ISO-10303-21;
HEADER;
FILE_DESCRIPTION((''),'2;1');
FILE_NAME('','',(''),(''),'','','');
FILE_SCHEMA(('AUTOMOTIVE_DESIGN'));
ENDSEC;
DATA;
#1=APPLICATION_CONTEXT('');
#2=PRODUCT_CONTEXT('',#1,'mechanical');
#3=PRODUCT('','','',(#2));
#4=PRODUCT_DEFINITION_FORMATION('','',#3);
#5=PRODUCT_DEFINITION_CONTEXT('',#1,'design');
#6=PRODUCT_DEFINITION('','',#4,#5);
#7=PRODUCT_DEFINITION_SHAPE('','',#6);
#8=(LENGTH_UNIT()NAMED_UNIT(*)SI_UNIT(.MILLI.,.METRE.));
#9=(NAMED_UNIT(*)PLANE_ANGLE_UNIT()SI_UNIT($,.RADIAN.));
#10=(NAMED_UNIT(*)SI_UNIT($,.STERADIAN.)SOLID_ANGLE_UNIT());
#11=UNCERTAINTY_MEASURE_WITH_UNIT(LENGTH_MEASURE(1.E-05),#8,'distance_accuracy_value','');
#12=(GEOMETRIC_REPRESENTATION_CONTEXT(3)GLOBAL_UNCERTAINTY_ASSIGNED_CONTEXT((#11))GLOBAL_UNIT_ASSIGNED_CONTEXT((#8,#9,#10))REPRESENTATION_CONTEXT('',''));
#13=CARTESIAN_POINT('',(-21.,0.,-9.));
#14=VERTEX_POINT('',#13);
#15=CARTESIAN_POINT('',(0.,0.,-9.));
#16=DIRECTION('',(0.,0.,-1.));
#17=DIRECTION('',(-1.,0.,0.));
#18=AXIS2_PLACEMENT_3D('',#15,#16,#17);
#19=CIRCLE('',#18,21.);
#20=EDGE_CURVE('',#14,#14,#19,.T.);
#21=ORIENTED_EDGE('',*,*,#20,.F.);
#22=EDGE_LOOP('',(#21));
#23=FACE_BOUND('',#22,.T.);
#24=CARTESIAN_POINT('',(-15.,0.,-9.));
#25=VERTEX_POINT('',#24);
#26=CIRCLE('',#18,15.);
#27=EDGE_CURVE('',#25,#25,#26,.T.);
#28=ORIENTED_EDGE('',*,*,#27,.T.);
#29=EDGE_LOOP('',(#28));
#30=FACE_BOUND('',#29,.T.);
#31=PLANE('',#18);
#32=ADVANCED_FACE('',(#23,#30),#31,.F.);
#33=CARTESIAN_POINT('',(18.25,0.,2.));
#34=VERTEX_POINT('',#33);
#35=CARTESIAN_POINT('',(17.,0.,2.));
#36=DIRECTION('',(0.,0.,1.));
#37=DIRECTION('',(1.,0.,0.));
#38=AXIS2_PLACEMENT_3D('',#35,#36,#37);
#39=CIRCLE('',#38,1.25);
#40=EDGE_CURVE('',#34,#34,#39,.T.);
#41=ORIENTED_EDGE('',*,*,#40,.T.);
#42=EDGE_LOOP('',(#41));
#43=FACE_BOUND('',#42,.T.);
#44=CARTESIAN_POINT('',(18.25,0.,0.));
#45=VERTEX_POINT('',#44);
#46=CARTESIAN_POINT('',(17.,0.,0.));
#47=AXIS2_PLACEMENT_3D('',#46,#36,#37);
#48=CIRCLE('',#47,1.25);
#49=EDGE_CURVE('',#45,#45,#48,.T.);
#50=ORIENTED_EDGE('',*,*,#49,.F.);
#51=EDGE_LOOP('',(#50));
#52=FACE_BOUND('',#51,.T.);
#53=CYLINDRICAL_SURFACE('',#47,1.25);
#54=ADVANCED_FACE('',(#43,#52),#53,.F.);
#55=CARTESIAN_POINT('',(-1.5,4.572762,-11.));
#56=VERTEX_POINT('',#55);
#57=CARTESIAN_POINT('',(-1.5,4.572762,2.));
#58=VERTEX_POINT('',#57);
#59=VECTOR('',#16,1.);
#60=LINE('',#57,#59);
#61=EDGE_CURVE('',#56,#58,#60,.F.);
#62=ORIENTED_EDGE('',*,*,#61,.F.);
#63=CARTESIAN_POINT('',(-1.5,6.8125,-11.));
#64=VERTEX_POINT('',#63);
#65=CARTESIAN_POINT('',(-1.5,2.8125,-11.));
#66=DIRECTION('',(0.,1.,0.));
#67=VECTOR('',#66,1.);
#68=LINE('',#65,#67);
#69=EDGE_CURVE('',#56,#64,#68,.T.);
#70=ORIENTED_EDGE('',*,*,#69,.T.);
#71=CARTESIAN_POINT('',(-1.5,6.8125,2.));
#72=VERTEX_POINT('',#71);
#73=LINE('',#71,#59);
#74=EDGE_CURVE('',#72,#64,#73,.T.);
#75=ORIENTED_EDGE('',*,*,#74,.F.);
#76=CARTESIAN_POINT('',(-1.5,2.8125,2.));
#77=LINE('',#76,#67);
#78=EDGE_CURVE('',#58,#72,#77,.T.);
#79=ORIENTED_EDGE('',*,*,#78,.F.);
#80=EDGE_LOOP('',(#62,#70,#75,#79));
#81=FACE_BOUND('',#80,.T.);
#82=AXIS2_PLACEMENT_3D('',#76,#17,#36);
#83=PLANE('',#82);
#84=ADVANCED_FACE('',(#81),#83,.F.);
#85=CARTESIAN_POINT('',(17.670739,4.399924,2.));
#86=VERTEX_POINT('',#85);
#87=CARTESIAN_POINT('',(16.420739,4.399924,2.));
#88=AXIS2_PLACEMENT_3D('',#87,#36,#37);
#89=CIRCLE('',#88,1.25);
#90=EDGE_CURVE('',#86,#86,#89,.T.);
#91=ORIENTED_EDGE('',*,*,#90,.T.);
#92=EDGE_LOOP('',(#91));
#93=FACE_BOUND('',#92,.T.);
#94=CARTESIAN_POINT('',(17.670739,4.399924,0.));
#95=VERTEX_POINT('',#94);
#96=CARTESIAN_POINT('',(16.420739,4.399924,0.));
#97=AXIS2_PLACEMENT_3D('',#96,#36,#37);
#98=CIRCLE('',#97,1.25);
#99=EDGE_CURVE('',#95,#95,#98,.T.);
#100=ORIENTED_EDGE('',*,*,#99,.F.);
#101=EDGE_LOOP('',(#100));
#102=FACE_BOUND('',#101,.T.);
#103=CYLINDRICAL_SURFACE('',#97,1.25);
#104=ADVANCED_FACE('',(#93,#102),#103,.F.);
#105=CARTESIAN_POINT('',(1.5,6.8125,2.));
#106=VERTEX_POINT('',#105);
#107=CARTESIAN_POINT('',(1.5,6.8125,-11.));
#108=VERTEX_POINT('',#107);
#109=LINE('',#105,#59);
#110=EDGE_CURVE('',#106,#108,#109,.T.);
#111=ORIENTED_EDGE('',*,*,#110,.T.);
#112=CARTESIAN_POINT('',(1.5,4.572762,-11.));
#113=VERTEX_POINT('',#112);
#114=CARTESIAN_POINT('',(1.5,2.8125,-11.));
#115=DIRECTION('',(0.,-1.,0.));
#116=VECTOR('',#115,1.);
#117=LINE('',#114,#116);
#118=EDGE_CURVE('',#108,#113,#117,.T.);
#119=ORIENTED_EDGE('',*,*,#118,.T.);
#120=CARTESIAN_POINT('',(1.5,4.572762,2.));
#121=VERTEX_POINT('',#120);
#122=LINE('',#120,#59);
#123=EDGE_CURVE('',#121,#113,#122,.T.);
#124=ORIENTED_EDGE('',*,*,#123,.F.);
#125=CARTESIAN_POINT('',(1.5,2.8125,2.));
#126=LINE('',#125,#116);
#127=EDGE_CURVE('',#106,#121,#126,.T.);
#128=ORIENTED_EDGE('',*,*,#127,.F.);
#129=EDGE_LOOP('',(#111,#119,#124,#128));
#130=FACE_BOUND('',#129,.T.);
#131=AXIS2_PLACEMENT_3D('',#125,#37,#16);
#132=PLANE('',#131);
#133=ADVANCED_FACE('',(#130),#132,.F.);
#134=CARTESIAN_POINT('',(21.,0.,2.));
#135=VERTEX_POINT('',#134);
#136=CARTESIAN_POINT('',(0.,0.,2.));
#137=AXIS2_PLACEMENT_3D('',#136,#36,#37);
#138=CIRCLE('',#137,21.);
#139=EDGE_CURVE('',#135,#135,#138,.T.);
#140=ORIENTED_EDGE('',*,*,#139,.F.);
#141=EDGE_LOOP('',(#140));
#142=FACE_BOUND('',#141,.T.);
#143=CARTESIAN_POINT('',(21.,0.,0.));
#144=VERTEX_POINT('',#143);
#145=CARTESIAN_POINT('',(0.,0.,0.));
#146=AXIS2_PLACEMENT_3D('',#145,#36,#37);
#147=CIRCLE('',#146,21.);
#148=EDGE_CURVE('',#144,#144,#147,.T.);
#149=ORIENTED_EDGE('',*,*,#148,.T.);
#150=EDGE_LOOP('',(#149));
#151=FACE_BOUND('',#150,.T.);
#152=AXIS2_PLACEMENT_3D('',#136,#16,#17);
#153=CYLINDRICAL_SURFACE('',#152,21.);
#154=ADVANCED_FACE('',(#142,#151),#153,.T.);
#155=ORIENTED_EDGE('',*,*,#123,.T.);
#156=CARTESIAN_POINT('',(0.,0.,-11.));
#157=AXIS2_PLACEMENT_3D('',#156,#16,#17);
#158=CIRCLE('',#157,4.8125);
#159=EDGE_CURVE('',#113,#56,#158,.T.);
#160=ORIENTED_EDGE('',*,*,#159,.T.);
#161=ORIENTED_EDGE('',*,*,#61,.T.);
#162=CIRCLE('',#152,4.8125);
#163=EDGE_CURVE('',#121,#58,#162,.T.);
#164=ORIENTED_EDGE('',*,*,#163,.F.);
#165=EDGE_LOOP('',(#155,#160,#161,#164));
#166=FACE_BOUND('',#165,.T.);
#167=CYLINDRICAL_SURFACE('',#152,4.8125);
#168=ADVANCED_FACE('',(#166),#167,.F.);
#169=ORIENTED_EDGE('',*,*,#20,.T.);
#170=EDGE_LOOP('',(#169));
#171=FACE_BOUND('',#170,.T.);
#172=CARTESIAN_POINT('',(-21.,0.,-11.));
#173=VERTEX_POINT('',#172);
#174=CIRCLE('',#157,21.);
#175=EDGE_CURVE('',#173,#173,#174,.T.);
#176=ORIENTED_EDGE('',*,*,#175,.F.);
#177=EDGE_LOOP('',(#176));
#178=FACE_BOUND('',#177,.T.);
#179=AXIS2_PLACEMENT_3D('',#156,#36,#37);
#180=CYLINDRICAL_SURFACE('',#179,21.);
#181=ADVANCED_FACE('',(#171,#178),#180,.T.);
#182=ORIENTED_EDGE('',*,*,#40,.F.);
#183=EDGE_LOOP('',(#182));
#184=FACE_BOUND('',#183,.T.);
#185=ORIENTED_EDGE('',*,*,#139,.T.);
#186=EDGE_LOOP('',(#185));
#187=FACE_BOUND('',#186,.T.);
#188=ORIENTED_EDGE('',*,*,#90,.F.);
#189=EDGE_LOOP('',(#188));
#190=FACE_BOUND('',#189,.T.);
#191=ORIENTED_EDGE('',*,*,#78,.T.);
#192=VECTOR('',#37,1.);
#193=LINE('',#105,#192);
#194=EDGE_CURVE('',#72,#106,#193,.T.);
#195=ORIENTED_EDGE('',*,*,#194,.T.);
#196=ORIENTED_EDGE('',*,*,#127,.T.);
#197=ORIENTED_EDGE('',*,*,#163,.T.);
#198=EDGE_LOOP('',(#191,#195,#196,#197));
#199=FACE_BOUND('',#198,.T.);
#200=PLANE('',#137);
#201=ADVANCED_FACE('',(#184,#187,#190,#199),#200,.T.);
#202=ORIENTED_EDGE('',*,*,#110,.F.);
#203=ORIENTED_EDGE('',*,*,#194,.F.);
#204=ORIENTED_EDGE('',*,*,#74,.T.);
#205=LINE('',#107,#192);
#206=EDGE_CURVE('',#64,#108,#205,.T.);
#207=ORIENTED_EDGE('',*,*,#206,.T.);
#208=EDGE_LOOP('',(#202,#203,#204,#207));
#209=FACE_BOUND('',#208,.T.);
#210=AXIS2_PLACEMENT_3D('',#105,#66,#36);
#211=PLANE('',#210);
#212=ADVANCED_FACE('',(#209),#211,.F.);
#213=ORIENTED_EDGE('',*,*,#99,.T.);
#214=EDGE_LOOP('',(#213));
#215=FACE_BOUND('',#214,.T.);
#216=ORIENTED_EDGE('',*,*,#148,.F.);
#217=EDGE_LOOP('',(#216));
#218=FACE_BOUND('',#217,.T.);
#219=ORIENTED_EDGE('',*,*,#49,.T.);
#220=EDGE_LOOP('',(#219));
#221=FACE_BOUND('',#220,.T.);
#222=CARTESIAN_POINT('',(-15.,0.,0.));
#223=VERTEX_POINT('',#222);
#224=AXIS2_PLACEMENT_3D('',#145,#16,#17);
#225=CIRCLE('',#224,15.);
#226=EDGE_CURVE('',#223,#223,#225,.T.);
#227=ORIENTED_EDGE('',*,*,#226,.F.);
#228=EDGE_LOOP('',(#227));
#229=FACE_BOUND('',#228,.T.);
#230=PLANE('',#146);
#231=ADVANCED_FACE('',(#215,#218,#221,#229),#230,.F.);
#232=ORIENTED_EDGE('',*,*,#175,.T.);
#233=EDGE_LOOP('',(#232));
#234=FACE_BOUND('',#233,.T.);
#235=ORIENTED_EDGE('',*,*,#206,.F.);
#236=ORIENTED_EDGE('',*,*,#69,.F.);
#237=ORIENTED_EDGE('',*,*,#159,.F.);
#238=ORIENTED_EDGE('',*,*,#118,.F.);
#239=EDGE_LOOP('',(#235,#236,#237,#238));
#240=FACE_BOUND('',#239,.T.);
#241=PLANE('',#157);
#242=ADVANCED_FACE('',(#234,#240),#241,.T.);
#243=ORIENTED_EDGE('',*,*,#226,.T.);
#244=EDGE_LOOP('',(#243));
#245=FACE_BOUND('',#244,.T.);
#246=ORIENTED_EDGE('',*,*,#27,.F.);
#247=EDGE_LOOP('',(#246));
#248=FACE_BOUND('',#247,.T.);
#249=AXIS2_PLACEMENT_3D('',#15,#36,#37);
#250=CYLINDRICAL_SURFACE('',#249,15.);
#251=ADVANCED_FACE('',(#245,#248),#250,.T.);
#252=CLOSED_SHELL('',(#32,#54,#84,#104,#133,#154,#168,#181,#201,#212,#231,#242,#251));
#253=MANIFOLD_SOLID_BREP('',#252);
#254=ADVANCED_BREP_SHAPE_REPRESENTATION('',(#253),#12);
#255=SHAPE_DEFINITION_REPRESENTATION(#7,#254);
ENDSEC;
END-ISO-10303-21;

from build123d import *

# Parameters (mm, degrees)
SKETCH1_R       = 21
SIDE_1_DEPTH    = 2
SKETCH2_R       = 15
PULLEY_DEPTH    = 9
SKETCH3_R       = 21
SIDE_2_DEPTH    = 2
SKETCH4_R       = 4.8125
SHAFTHOLE_DEPTH = 13
SKETCH5_W       = 3
SKETCH5_H       = 4
KEYWAY_DEPTH    = 13
SKETCH6_R       = 1.25
CABLEHOLE_DEPTH = 2


with BuildPart() as part:
    # Sketch1 → Side 1 (new body)
    with BuildSketch(Plane.XY):
        Circle(SKETCH1_R)
    extrude(amount=SIDE_1_DEPTH)

    # Sketch2 → Pulley (add)
    with BuildSketch(Plane(origin=(0, 0, 0), x_dir=(-1, 0, 0), z_dir=(0, 0, -1))):
        Circle(SKETCH2_R)
    extrude(amount=PULLEY_DEPTH)

    # Sketch3 → Side 2 (add)
    with BuildSketch(Plane(origin=(0, 0, -9), x_dir=(-1, 0, 0), z_dir=(0, 0, -1))):
        Circle(SKETCH3_R)
    extrude(amount=SIDE_2_DEPTH)

    # Sketch4 → ShaftHole (cut)
    with BuildSketch(Plane(origin=(0, 0, -11), x_dir=(-1, 0, 0), z_dir=(0, 0, -1))):
        Circle(SKETCH4_R)
    extrude(amount=-SHAFTHOLE_DEPTH, mode=Mode.SUBTRACT)

    # Sketch5 → KeyWay (cut)
    with BuildSketch(Plane(origin=(0, 0, -11), x_dir=(-1, 0, 0), z_dir=(0, 0, -1))):
        with Locations((0, 4.8125)):
            Rectangle(SKETCH5_W, SKETCH5_H)
    extrude(amount=-KEYWAY_DEPTH, mode=Mode.SUBTRACT)

    # Sketch6 → CableHole (cut)
    with BuildSketch(Plane.XY.offset(2)):
        with Locations((17, 0)):
            Circle(SKETCH6_R)
        with Locations((16.420739047, 4.399923767)):
            Circle(SKETCH6_R)
    extrude(amount=-CABLEHOLE_DEPTH, mode=Mode.SUBTRACT)


solid = part.part
